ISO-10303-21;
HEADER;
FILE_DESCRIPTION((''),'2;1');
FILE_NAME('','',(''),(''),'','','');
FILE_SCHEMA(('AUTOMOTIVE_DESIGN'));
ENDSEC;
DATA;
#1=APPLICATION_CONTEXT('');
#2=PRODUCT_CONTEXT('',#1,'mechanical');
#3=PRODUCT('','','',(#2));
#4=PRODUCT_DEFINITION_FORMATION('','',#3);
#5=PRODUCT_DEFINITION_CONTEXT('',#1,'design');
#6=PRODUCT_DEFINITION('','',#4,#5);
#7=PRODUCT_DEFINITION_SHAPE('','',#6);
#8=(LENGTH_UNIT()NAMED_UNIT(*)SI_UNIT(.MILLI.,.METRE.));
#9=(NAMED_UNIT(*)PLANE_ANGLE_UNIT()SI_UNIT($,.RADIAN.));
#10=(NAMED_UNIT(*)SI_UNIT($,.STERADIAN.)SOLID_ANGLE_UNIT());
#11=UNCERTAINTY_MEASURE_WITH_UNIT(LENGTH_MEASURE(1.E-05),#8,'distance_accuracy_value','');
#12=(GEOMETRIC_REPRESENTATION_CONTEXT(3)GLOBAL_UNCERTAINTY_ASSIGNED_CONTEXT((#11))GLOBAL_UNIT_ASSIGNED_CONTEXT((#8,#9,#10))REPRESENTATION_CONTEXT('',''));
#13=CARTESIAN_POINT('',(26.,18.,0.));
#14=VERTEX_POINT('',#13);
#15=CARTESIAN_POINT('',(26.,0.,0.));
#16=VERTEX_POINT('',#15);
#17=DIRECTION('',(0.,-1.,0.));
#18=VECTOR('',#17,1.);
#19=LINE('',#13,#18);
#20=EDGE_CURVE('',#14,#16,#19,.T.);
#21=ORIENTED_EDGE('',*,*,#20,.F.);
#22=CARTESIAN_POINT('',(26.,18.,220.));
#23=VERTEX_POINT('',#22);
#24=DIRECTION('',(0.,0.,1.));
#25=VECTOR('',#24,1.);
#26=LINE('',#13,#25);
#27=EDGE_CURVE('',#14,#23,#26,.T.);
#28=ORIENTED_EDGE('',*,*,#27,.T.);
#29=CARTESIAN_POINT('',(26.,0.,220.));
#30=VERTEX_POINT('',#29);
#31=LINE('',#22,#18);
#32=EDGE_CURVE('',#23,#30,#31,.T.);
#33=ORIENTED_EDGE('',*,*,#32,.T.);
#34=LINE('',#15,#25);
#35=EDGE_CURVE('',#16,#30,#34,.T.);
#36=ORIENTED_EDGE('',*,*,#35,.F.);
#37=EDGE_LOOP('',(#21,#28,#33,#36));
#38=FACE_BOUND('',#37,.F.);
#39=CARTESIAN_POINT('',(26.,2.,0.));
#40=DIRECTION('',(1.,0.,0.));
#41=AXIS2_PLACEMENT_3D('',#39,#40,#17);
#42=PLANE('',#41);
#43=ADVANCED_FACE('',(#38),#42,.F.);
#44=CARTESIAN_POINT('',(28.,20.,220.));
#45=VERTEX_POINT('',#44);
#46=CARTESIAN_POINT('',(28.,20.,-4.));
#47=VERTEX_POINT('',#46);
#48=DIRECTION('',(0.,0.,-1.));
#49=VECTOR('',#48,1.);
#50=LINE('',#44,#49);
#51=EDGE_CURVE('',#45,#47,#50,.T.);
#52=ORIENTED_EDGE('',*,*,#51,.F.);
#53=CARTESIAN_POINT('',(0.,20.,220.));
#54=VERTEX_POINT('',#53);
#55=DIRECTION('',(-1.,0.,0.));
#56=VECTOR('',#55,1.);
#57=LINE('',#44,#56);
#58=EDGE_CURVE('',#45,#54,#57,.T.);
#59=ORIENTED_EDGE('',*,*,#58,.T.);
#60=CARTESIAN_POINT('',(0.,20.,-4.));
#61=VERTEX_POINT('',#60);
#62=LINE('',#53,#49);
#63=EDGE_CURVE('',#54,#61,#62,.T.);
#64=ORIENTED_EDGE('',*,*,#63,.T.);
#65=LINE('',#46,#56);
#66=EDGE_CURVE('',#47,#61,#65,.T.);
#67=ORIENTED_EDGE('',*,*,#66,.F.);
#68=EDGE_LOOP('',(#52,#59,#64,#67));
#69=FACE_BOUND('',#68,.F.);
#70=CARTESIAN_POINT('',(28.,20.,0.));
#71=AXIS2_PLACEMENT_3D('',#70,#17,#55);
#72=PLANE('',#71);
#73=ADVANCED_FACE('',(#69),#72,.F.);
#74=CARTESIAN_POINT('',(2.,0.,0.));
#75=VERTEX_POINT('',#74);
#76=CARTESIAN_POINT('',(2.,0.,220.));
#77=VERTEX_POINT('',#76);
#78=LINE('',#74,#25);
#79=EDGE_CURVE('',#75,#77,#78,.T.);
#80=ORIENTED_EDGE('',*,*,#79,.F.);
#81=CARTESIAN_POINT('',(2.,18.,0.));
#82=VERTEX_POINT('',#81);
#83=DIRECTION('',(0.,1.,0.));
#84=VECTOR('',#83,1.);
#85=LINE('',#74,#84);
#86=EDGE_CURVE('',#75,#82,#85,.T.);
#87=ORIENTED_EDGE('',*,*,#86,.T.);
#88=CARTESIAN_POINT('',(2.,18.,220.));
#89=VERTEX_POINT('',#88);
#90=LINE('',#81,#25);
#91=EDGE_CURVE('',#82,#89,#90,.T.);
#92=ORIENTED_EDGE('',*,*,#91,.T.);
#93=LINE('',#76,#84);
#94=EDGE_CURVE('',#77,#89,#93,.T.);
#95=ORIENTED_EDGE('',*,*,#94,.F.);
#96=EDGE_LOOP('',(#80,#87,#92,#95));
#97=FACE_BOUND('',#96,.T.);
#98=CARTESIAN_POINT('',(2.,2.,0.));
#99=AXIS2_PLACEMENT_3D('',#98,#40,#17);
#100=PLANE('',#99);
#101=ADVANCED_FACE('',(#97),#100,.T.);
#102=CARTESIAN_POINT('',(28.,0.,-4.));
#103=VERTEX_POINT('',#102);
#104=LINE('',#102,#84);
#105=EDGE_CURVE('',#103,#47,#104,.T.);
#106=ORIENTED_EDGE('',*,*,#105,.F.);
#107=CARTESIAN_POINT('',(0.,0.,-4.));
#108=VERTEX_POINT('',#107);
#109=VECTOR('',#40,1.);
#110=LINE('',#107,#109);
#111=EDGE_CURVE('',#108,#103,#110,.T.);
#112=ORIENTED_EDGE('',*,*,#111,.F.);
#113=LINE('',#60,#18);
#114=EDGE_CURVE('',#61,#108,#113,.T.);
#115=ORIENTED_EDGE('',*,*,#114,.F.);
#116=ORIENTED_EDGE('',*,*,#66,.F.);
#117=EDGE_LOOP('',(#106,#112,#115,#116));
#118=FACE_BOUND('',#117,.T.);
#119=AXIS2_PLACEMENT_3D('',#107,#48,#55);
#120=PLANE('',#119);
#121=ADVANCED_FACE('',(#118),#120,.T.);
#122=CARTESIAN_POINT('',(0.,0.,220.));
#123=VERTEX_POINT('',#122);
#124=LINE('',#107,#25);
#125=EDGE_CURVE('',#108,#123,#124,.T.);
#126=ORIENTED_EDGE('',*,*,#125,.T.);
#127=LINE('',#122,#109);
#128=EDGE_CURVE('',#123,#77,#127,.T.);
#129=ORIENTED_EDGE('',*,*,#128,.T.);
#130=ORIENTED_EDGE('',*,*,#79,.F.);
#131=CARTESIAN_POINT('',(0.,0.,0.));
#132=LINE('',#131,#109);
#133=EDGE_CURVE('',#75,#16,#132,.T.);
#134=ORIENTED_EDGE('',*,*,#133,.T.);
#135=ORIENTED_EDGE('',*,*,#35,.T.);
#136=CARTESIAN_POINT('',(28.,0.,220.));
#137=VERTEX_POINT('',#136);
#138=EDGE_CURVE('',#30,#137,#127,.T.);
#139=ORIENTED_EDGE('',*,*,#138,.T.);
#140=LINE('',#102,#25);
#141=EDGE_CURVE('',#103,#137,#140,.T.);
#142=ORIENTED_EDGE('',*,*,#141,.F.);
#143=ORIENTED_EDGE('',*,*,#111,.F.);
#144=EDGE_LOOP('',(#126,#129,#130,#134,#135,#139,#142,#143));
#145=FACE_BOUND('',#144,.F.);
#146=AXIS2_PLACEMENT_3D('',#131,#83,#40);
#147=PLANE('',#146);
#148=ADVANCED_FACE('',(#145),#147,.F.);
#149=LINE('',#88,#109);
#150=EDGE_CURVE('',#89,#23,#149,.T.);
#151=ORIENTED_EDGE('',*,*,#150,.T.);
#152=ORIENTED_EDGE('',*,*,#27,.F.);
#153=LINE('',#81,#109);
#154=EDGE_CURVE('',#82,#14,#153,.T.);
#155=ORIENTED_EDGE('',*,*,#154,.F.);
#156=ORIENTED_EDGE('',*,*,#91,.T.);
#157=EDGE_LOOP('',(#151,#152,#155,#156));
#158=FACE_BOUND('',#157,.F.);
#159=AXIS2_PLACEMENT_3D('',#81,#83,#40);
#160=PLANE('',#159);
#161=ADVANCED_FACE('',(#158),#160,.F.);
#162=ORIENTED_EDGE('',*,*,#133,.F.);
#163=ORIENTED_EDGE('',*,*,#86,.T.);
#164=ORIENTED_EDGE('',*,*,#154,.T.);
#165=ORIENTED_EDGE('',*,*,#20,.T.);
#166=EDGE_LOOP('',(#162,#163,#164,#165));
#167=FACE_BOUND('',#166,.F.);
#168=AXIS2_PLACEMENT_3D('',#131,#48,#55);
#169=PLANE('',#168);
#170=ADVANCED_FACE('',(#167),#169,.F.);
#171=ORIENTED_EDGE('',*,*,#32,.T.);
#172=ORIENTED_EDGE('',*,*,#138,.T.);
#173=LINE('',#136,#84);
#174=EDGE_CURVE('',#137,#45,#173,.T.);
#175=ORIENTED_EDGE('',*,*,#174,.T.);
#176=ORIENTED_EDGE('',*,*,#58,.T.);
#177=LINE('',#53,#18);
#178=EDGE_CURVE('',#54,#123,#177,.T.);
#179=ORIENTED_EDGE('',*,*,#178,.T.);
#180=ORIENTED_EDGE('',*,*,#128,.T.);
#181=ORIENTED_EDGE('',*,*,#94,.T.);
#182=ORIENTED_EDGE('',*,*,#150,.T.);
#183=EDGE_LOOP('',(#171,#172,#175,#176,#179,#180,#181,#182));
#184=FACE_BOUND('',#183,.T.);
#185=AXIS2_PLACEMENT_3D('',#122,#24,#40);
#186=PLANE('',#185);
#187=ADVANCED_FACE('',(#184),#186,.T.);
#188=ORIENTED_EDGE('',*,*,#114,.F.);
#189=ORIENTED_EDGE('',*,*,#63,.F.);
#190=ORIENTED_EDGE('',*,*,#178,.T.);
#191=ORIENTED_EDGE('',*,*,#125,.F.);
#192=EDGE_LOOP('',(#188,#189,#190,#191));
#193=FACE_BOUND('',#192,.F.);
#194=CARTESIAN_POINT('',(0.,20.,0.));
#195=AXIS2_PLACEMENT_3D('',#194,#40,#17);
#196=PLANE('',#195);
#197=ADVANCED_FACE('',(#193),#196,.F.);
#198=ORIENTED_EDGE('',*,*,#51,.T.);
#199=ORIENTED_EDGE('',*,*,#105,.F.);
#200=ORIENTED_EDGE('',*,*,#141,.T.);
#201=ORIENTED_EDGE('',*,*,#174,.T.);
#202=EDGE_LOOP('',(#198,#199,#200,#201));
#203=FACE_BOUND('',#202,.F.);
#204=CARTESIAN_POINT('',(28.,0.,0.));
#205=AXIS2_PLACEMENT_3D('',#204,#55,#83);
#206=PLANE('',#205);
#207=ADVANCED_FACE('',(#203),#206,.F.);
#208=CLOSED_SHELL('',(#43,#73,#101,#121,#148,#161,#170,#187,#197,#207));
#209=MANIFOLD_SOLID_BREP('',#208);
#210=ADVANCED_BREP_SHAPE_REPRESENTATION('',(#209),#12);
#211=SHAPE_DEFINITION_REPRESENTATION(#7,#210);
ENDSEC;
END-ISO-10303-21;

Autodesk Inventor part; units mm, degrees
ref_plane "YZ Plane" through (0, 0, 0) normal (1, 0, 0) x (0, 1, 0)
ref_plane "XZ Plane" through (0, 0, 0) normal (0, 1, 0) x (-1, 0, 0)
ref_plane "XY Plane" through (0, 0, 0) normal (0, 0, 1) x (1, 0, 0)
sketch "Sketch1" plane through (0, 0, 0) normal (0, 0, 1) x (1, 0, 0)
  line L0 (0, 0) -> (28, 0)
  line L1 (28, 0) -> (28, 20)
  line L2 (28, 20) -> (0, 20)
  line L3 (0, 20) -> (0, 0)
  line L4 (2, 18) -> (26, 18)
  line L5 (26, 18) -> (26, 2)
  line L6 (26, 2) -> (2, 2)
  line L7 (2, 2) -> (2, 18)
  line L8 (2, 2) -> (2, 0)
  line L9 (26, 2) -> (26, 0)
  dimension "d0" = 28
  dimension "d1" = 20
  dimension "d2" = 2
extrude "Extrusion1" add sketch "Sketch1" along normal blind 220 contours L3 L2 L1 L0 L9 L5 L4 L7 L8
sketch "Sketch2" plane through (0, 0, 0) normal (0, 0, -1) x (-1, 0, 0)
  line L0 (-28, 20) -> (0, 20) projected
  line L1 (0, 0) -> (-2, 0) projected
  line L2 (-28, 20) -> (0, 20)
  line L3 (0, 20) -> (0, 0)
  line L4 (0, 0) -> (-28, 0)
  line L5 (-28, 0) -> (-28, 20)
extrude "Extrusion2" add sketch "Sketch2" along normal blind 4
properties part number "fan_duct"
